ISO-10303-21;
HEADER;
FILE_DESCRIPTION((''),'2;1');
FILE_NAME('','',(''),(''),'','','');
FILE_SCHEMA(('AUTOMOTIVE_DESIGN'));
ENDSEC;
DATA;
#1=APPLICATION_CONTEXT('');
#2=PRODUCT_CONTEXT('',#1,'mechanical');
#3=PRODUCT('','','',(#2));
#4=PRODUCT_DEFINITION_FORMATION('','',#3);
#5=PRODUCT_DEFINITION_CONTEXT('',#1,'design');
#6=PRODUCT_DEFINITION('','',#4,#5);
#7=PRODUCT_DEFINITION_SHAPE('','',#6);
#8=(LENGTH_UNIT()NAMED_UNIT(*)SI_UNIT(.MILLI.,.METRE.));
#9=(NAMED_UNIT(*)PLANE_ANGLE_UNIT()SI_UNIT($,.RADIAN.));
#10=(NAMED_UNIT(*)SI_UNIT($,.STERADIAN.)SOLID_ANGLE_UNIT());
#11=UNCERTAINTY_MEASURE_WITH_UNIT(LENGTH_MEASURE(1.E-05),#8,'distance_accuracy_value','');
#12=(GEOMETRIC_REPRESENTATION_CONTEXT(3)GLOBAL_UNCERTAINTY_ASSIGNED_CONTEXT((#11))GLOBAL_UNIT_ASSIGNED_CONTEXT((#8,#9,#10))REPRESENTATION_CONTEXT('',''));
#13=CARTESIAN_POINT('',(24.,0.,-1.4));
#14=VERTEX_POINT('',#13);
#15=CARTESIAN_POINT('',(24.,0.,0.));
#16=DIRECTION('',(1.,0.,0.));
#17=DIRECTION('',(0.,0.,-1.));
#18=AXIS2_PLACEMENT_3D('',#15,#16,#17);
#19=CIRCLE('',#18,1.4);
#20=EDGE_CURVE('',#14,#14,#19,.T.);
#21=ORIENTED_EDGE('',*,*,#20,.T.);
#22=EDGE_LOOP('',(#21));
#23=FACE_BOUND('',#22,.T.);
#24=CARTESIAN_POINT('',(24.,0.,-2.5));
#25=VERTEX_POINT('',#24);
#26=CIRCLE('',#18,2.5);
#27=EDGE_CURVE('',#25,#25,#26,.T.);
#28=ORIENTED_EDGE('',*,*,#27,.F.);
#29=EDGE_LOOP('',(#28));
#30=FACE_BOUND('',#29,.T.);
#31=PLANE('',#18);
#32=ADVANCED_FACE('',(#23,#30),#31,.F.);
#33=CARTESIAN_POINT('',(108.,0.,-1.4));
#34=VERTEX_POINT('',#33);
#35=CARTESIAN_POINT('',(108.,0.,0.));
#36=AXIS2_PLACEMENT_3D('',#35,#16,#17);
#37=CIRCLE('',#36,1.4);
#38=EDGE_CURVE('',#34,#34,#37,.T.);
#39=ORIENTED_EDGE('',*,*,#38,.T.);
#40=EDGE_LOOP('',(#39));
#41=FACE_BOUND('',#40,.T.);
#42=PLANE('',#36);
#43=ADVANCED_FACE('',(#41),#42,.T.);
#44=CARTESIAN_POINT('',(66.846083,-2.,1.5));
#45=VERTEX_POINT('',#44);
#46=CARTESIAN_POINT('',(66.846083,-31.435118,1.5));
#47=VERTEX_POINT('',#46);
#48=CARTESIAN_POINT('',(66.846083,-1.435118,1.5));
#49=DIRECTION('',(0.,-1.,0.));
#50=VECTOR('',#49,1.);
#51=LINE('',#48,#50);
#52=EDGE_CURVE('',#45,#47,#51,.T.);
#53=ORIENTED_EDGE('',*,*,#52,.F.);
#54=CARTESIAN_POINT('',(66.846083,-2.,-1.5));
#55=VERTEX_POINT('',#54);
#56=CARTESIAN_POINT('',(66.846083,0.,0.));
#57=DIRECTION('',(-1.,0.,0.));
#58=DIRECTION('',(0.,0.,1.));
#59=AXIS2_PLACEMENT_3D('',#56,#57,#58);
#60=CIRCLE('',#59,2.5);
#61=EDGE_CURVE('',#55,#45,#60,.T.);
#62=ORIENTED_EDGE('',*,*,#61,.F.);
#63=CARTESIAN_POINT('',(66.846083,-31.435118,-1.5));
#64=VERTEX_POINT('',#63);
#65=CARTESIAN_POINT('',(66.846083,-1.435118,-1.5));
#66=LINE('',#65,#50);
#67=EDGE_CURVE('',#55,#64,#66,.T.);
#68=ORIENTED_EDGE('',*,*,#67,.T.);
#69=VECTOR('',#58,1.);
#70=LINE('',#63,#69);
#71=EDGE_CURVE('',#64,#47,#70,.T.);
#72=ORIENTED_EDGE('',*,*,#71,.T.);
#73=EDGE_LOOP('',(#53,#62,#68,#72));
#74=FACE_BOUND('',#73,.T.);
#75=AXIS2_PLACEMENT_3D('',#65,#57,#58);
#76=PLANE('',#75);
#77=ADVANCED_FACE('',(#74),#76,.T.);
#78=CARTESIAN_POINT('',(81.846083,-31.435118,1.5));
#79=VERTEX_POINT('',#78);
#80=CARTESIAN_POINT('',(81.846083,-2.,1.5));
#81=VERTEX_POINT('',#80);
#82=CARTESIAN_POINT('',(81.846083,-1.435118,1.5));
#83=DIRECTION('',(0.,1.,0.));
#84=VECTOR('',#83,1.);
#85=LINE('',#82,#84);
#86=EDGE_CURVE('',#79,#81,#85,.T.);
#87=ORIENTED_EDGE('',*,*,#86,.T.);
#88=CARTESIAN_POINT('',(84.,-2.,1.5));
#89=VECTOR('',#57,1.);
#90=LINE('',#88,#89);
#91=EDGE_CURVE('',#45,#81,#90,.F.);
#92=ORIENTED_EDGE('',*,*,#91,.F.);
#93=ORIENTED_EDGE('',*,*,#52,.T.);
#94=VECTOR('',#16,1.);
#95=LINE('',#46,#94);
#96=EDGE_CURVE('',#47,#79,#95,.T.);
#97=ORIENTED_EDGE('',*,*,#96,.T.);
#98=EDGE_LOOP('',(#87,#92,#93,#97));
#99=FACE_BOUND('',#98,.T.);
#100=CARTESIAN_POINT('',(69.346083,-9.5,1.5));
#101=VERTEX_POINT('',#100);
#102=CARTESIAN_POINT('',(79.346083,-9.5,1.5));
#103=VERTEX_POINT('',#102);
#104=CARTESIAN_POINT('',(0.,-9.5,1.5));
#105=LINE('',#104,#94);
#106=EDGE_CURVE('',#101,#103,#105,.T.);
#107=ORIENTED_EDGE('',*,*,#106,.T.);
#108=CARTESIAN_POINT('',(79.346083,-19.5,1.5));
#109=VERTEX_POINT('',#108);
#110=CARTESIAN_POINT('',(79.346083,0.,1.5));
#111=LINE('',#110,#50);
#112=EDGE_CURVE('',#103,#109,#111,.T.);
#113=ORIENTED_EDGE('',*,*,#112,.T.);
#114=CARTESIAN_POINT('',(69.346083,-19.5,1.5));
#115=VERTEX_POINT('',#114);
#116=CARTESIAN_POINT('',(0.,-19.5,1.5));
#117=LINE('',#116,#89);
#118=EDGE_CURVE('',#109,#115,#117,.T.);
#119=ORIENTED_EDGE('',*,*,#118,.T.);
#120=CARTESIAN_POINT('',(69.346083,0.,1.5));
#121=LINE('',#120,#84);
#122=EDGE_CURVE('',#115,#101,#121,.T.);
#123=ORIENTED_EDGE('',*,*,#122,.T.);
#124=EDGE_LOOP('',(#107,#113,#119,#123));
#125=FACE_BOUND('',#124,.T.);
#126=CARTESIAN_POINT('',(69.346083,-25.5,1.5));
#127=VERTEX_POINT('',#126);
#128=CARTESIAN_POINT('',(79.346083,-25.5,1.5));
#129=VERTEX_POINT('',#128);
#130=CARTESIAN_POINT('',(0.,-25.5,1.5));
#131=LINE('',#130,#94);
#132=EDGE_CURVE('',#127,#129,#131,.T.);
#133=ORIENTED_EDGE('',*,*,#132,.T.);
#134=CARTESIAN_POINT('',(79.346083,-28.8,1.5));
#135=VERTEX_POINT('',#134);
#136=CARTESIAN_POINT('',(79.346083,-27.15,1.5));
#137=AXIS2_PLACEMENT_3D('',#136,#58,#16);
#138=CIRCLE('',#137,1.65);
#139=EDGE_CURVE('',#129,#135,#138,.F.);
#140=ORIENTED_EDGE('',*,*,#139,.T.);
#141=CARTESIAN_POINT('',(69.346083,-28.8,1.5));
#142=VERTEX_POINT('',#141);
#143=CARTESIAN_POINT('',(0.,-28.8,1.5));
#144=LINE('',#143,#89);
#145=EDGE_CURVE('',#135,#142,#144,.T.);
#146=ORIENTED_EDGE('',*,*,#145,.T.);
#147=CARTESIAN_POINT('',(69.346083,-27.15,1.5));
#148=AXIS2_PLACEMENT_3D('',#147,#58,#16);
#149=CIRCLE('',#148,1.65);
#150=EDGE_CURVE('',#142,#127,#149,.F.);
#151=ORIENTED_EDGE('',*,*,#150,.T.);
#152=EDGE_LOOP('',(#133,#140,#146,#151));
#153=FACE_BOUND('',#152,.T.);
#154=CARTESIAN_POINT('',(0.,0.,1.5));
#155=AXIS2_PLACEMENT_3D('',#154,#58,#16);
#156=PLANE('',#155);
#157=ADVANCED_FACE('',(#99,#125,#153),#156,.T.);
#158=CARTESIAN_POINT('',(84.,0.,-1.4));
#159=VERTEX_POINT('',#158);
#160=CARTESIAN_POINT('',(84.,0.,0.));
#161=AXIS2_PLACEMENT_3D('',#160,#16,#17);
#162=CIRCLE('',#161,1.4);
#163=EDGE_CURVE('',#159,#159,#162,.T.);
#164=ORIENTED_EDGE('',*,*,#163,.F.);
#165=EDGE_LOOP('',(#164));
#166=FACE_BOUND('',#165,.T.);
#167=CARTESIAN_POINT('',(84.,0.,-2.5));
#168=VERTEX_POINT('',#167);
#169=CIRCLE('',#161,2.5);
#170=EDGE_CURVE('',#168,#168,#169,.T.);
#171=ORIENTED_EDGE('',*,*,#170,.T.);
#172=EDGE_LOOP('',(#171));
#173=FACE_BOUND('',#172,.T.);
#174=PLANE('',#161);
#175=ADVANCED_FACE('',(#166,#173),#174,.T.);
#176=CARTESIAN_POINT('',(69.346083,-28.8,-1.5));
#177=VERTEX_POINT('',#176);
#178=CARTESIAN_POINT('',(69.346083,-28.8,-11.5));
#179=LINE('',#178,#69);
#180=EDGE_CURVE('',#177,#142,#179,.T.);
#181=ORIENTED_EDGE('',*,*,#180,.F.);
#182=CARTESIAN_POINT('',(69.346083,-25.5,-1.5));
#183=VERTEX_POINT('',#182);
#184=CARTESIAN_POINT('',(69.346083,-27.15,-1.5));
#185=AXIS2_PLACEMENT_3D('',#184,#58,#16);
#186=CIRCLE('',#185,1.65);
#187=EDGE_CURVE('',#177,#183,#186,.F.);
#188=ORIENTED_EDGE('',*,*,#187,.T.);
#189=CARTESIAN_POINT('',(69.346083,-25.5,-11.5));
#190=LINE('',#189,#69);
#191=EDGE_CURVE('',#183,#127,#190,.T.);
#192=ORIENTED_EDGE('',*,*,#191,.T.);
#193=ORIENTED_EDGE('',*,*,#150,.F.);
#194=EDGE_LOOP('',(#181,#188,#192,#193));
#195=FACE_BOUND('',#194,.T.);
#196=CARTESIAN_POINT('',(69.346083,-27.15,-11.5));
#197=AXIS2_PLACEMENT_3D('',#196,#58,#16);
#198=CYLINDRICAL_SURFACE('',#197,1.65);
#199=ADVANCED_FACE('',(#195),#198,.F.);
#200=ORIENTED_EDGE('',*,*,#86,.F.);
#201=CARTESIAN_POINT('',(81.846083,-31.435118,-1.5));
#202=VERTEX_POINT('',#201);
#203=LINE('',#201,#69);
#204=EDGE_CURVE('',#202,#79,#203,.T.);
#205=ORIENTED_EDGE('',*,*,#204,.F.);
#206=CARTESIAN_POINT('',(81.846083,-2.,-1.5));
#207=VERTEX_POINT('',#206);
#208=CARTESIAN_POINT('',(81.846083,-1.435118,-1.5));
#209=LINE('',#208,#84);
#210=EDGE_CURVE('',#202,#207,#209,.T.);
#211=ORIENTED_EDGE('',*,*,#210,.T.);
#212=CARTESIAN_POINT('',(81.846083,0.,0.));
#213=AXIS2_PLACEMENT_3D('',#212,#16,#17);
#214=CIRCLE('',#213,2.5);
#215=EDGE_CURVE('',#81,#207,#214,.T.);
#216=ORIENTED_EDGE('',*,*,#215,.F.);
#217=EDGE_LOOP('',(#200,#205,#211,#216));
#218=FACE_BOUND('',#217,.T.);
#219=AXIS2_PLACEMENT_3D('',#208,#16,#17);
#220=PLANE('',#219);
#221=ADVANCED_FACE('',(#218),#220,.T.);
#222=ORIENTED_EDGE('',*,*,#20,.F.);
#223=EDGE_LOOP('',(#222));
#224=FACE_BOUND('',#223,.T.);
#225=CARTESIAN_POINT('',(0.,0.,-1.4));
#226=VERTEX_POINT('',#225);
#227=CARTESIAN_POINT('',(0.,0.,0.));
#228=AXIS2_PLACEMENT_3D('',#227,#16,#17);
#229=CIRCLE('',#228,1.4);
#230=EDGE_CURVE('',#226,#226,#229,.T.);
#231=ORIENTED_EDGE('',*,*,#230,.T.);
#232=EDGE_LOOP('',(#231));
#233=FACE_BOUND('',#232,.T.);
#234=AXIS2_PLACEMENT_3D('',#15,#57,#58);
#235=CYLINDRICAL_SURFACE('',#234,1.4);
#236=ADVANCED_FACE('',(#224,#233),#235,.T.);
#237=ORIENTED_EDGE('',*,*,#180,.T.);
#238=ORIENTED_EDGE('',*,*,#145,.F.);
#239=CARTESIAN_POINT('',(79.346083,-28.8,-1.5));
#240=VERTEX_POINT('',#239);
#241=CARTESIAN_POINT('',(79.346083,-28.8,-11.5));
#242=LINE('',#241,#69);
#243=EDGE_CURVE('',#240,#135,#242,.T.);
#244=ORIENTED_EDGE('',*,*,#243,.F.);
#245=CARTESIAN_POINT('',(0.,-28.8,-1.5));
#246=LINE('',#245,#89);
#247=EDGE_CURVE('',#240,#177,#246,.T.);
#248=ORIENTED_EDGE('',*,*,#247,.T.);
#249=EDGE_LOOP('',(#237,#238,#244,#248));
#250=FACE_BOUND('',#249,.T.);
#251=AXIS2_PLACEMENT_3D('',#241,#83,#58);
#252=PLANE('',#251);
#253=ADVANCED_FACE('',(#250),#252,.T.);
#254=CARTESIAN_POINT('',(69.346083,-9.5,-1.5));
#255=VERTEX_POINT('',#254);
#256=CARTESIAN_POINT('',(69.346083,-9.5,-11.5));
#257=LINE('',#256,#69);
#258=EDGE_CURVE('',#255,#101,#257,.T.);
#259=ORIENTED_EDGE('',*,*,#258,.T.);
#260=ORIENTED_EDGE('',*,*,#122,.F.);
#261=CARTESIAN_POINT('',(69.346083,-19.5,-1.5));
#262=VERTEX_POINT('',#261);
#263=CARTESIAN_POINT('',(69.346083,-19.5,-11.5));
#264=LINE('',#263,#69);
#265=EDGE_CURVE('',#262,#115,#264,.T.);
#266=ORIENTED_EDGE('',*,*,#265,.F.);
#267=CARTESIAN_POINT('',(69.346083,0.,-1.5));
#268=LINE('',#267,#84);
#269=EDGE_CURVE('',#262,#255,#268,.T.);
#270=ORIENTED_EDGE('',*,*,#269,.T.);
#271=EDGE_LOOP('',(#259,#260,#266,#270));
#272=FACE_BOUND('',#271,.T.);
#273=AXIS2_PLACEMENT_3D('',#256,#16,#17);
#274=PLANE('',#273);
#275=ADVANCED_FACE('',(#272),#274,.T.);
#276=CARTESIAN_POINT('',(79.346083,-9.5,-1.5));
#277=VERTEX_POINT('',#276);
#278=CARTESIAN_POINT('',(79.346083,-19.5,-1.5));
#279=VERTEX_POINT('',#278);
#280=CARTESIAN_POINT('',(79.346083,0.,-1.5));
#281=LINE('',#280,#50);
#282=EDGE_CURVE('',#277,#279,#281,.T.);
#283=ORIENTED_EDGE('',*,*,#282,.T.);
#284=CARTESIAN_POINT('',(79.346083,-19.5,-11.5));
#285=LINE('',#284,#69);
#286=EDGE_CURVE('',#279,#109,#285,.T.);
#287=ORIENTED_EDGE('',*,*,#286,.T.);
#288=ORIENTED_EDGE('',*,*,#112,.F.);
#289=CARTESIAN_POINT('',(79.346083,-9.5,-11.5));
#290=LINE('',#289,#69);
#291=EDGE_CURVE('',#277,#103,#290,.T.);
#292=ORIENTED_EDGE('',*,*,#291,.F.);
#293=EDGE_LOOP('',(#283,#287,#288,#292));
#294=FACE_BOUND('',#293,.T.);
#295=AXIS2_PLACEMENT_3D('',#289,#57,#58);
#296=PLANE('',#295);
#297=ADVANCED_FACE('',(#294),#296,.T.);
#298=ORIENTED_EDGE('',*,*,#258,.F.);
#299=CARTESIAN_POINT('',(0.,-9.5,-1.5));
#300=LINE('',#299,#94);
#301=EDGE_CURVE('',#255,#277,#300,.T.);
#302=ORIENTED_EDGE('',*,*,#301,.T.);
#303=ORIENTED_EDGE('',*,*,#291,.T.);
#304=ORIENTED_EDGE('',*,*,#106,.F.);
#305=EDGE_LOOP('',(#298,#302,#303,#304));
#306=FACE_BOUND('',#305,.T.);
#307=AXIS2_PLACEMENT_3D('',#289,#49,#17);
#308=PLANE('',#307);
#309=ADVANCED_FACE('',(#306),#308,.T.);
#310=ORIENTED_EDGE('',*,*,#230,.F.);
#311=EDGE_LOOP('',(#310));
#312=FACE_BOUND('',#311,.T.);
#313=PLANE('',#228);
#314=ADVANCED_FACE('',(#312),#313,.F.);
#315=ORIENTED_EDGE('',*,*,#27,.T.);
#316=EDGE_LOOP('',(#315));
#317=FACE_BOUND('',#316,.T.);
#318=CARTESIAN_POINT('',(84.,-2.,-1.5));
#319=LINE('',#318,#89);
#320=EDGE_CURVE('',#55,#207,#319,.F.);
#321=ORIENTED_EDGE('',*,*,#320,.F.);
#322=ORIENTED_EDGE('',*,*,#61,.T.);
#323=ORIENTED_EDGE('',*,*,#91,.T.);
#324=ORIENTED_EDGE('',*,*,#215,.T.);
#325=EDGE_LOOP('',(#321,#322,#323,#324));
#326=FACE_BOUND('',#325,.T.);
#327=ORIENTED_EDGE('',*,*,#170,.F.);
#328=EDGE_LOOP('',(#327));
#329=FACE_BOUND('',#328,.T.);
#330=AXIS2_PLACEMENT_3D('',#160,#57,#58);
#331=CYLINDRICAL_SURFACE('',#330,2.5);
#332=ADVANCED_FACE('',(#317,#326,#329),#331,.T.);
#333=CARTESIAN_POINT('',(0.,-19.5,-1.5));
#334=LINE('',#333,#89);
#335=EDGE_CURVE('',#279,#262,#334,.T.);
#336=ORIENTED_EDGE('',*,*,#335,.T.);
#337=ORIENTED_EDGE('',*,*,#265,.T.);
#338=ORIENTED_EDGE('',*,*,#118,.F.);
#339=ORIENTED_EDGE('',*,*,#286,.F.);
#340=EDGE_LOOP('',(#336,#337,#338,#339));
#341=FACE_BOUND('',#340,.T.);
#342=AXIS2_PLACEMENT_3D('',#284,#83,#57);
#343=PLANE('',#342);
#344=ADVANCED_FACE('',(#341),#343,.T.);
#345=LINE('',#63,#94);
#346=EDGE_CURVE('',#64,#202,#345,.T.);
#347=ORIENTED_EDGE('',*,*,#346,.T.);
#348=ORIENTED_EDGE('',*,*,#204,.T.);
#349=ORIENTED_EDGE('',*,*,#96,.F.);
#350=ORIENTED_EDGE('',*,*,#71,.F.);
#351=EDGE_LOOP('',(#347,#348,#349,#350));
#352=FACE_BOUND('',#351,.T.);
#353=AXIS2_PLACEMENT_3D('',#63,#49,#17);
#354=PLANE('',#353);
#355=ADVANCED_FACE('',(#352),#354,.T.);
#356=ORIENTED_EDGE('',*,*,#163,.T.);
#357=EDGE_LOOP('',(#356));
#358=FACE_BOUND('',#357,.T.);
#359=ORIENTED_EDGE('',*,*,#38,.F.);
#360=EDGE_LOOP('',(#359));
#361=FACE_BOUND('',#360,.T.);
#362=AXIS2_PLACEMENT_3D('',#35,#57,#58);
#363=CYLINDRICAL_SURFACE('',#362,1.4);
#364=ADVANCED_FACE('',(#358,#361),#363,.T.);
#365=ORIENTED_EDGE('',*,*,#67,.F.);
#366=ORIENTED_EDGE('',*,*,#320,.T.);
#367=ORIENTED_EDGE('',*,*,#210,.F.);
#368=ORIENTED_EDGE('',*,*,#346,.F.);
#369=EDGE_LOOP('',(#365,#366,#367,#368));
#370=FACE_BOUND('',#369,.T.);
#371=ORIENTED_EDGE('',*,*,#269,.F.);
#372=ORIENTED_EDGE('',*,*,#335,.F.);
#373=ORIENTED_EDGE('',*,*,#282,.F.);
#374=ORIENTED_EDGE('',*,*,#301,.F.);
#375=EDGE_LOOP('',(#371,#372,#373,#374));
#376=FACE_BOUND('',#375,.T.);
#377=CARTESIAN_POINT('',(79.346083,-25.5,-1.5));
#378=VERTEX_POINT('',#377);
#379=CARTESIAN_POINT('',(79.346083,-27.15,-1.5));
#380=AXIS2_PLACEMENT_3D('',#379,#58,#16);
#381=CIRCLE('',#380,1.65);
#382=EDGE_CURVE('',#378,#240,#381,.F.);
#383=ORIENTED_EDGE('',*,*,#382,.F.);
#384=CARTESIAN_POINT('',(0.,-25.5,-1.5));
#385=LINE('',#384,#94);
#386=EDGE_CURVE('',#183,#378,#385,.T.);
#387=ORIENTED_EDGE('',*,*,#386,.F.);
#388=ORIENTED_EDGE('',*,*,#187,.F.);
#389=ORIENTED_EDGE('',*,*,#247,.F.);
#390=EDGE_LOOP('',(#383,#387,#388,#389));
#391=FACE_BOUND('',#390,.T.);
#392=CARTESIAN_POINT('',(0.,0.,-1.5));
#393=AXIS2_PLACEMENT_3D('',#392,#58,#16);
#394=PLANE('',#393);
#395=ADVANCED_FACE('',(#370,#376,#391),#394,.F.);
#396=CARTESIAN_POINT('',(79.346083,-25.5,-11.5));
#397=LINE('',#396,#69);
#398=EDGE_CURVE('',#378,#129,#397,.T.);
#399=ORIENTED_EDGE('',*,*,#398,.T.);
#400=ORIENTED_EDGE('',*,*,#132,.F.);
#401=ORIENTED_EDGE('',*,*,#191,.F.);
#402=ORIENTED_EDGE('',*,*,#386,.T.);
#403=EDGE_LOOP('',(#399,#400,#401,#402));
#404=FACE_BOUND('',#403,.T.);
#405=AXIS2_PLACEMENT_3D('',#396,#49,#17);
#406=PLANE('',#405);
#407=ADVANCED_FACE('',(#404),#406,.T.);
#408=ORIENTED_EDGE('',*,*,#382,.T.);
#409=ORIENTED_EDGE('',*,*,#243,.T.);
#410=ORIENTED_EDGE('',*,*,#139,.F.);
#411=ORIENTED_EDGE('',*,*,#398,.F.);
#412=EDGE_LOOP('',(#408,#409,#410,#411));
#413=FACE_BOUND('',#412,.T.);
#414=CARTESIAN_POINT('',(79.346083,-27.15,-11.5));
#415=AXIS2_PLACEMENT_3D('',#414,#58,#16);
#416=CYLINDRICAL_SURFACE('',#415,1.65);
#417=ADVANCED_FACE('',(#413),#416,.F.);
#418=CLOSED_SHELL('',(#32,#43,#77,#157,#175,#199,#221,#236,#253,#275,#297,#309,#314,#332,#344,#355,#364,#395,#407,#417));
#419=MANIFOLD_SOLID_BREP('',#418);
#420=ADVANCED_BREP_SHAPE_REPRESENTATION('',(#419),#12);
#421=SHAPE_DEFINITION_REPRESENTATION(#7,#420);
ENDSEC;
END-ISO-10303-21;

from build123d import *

# Parameters (mm, degrees)
SKETCH1_R                = 1.4
BOSS_EXTRUDE1_DEPTH      = 24
SKETCH2_R                = 2.5
BOSS_EXTRUDE2_DEPTH      = 60
SKETCH3_R                = 1.4
BOSS_EXTRUDE3_DEPTH      = 24
BOSS_EXTRUDE4_DEPTH      = 1.5
BOSS_EXTRUDE4_DEPTH_BACK = 1.5
SKETCH4_W                = 15
SKETCH4_H                = 30
CUT_EXTRUDE1_DEPTH       = 10
CUT_EXTRUDE1_DEPTH_BACK  = 7
SKETCH5_W                = 10
SKETCH5_H                = 10


with BuildPart() as part:
    # Sketch1 → Boss-Extrude1 (new body)
    with BuildSketch(Plane(origin=(0, 0, 0), x_dir=(0, 0, -1), z_dir=(1, 0, 0))):
        Circle(SKETCH1_R)
    extrude(amount=BOSS_EXTRUDE1_DEPTH)

    # Sketch2 → Boss-Extrude2 (add)
    with BuildSketch(Plane(origin=(24, 0, 0), x_dir=(0, 0, -1), z_dir=(1, 0, 0))):
        Circle(SKETCH2_R)
    extrude(amount=BOSS_EXTRUDE2_DEPTH)

    # Sketch3 → Boss-Extrude3 (add)
    with BuildSketch(Plane(origin=(84, 0, 0), x_dir=(0, 0, -1), z_dir=(1, 0, 0))):
        Circle(SKETCH3_R)
    extrude(amount=BOSS_EXTRUDE3_DEPTH)

    # Sketch4 → Boss-Extrude4 (add, two sides: drawn at the far end of the back side and taken through both)
    with BuildSketch(Plane.XY.offset(-BOSS_EXTRUDE4_DEPTH_BACK)):
        with Locations((74.346083047, -16.435117581)):
            Rectangle(SKETCH4_W, SKETCH4_H)
    extrude(amount=BOSS_EXTRUDE4_DEPTH + BOSS_EXTRUDE4_DEPTH_BACK)

    # Sketch5 → Cut-Extrude1 (cut, two sides: drawn at the far end of the back side and taken through both)
    with BuildSketch(Plane(origin=(0, 0, -1.5), x_dir=(-1, 0, 0), z_dir=(0, 0, -1)).offset(-CUT_EXTRUDE1_DEPTH_BACK)):
        with Locations((-74.346083047, -14.5)):
            Rectangle(SKETCH5_W, SKETCH5_H)
        with BuildLine():
            Line((-79.346083047, -25.5), (-69.346083047, -25.5))
            ThreePointArc((-69.346083047, -25.5), (-67.696083047, -27.15), (-69.346083047, -28.8))
            Line((-69.346083047, -28.8), (-79.346083047, -28.8))
            ThreePointArc((-79.346083047, -28.8), (-80.996083047, -27.15), (-79.346083047, -25.5))
        make_face()
    extrude(amount=CUT_EXTRUDE1_DEPTH + CUT_EXTRUDE1_DEPTH_BACK, mode=Mode.SUBTRACT)


solid = part.part
